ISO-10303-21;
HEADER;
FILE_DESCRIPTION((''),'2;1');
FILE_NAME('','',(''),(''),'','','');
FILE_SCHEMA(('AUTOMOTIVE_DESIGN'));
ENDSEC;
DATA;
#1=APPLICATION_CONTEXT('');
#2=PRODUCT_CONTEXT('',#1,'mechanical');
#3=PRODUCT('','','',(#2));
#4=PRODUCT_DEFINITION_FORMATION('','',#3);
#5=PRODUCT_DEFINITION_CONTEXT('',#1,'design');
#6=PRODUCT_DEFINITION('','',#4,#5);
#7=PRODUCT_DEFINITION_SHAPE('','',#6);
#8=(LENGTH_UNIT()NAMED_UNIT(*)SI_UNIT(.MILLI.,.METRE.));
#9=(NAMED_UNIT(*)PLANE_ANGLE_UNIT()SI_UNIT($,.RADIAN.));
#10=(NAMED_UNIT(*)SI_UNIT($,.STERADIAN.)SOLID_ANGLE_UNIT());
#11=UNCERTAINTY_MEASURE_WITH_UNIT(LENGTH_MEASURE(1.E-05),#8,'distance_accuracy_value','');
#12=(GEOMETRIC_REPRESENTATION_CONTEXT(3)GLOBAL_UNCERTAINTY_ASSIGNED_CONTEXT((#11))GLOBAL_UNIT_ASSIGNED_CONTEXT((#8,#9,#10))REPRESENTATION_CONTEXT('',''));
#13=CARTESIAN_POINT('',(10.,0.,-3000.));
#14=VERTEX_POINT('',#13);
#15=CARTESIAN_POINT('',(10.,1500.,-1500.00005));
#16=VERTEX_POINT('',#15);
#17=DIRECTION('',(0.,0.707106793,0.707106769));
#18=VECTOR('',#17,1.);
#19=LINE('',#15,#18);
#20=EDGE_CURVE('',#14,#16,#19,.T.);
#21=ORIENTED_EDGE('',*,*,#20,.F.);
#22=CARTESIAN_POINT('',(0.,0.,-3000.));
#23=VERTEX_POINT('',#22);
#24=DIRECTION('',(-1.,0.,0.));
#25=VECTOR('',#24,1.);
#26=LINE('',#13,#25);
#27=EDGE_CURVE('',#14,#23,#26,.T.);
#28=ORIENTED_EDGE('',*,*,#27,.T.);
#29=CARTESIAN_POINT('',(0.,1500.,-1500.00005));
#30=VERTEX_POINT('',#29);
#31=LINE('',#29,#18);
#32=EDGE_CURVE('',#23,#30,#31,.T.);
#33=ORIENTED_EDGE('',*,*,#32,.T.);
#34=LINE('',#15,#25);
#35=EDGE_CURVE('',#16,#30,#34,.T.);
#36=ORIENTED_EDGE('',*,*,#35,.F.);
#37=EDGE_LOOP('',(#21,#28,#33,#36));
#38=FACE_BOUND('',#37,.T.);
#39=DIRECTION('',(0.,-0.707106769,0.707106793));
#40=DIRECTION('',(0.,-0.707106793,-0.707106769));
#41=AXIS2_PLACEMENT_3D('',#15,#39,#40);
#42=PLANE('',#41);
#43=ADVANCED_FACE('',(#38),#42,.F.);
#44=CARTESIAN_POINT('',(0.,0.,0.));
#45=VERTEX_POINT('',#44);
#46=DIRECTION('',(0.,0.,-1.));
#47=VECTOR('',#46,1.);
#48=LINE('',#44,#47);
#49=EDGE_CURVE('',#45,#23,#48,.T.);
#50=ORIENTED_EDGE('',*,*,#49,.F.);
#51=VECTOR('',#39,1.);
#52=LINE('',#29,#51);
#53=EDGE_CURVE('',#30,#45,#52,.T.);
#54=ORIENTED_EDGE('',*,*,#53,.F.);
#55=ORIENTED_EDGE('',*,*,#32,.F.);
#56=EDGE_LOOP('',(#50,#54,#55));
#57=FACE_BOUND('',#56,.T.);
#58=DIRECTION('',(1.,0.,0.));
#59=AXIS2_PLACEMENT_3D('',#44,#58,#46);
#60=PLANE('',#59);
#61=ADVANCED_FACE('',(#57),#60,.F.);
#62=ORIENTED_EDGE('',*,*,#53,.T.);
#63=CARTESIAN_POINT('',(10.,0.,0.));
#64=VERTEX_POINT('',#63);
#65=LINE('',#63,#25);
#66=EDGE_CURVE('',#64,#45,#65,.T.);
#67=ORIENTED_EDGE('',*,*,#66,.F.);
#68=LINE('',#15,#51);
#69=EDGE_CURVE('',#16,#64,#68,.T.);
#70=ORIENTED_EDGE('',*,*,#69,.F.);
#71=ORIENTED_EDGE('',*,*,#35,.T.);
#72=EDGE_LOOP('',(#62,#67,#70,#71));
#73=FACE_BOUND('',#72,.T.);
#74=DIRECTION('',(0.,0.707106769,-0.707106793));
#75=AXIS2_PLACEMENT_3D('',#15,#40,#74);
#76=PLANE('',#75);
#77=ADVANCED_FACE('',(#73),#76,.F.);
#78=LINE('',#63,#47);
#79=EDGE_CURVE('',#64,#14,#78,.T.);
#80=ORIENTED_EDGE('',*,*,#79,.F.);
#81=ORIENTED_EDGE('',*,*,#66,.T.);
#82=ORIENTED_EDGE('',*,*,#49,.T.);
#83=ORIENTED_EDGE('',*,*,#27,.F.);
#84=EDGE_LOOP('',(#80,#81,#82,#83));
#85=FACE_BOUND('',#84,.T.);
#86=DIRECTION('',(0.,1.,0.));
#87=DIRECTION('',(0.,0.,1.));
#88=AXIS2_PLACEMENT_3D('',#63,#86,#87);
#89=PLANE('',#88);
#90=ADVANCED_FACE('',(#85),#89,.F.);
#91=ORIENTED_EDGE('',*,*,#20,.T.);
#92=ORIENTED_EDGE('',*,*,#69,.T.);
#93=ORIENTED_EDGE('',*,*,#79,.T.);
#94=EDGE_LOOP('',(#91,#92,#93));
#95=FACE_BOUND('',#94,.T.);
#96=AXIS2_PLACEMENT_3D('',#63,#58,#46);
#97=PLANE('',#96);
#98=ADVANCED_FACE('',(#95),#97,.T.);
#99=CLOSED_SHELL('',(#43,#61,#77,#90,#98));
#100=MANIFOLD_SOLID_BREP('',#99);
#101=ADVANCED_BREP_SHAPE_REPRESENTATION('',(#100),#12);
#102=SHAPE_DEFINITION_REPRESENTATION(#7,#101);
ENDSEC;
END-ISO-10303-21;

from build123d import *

# Parameters (mm, degrees)
EXTRUDE_1_DEPTH = 10


with BuildPart() as part:
    # 草图1 → 凸台-拉伸1 (new body)
    with BuildSketch(Plane(origin=(0, 0, 0), x_dir=(0, 0, -1), z_dir=(1, 0, 0))):
        Polygon((0, 0), (3000, 0), (1500.00004998, 1500), align=None)
    extrude(amount=EXTRUDE_1_DEPTH)


solid = part.part
